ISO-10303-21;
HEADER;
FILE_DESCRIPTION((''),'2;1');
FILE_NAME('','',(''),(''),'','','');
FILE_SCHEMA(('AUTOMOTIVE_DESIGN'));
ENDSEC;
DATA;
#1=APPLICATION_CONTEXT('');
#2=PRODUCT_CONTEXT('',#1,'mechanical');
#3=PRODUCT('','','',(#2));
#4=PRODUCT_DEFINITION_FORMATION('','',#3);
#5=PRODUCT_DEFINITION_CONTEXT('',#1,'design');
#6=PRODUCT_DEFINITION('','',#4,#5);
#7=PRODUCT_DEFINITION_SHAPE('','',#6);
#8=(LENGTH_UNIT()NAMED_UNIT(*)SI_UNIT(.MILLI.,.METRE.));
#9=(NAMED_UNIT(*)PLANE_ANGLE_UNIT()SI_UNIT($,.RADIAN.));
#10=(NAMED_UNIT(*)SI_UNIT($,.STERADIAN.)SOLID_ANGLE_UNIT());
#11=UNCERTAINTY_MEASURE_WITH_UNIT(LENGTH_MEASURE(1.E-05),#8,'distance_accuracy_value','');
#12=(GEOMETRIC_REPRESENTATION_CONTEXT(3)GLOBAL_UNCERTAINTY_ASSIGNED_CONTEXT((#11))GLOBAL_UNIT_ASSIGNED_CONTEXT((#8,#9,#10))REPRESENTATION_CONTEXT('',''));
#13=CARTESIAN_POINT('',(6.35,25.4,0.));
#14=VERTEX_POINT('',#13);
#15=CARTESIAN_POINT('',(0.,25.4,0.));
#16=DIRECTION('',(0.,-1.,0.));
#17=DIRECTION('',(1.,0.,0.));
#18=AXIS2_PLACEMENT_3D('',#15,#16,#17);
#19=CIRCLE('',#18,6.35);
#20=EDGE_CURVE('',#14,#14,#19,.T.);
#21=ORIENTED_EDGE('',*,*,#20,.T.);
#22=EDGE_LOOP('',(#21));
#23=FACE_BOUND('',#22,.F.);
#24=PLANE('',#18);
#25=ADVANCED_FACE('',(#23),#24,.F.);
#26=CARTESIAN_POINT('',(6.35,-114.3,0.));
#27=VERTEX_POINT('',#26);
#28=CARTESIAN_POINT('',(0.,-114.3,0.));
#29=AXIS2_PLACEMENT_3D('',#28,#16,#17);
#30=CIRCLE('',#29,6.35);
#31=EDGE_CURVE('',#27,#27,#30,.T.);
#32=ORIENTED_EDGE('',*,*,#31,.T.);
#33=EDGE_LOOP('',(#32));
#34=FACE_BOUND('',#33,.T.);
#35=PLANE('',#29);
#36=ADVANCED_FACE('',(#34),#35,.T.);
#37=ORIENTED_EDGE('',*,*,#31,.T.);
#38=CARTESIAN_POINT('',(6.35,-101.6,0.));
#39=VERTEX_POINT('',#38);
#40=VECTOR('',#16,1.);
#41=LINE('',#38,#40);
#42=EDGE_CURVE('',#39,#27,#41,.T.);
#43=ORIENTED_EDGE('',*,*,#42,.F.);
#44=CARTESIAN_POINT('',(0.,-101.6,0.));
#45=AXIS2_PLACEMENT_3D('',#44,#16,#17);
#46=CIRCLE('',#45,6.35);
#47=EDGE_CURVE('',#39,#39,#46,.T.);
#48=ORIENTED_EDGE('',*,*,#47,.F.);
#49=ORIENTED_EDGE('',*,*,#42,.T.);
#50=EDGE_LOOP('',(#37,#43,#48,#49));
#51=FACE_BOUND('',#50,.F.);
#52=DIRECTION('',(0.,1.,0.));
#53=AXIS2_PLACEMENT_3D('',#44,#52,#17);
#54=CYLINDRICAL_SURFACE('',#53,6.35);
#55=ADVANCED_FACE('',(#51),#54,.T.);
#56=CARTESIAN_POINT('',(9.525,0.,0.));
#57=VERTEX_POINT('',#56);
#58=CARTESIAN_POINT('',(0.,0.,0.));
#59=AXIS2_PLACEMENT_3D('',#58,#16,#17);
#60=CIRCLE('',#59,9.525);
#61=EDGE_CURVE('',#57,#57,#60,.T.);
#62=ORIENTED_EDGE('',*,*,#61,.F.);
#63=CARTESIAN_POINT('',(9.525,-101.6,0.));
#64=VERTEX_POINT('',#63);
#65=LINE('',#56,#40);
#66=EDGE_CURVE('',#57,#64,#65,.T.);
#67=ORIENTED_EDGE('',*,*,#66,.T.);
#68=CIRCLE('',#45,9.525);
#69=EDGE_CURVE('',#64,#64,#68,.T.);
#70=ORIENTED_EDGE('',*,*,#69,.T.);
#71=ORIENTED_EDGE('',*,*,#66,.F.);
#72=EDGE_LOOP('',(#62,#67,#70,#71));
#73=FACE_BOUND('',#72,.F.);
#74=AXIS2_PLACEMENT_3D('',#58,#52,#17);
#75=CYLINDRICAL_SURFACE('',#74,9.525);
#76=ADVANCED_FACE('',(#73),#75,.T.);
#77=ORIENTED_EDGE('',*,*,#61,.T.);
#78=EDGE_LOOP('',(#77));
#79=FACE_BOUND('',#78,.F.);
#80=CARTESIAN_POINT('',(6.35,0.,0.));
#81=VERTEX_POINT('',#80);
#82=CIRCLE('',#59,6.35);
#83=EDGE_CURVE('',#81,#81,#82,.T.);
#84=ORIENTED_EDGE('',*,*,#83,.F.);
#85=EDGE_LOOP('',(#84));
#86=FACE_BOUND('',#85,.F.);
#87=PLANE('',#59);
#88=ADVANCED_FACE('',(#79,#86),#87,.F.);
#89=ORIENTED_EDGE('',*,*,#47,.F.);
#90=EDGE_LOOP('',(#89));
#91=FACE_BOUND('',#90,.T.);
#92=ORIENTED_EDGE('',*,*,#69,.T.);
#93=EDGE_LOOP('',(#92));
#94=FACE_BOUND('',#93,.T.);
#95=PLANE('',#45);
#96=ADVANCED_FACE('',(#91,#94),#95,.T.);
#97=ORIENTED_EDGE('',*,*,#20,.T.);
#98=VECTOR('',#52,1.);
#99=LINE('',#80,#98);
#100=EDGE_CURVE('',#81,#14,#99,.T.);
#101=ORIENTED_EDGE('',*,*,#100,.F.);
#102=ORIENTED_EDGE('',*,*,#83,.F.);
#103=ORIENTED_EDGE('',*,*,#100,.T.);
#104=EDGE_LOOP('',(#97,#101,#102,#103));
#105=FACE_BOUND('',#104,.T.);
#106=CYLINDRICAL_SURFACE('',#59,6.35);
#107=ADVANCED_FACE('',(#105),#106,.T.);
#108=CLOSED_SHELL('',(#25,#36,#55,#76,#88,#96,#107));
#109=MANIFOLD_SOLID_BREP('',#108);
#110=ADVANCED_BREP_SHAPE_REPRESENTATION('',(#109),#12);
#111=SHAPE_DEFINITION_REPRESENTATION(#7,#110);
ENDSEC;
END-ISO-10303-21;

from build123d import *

# Parameters (mm, degrees)
F0_R     = 9.525
F1_DEPTH = 101.6
F2_R     = 6.35
F3_DEPTH = 12.7
F4_R     = 6.35
F5_DEPTH = 25.4


with BuildPart() as f1:
    # F0 (on Front) → F1 (new body)
    with BuildSketch(Plane.XZ):
        Circle(F0_R)
    extrude(amount=F1_DEPTH)

    # F2 (on face) → F3 (join)
    with BuildSketch(Plane.XZ.offset(101.6)):
        Circle(F2_R)
    extrude(amount=F3_DEPTH)

    # F4 (on Front) → F5 (join)
    with BuildSketch(Plane.XZ):
        Circle(F4_R)
    extrude(amount=-F5_DEPTH)


solid = f1.part
